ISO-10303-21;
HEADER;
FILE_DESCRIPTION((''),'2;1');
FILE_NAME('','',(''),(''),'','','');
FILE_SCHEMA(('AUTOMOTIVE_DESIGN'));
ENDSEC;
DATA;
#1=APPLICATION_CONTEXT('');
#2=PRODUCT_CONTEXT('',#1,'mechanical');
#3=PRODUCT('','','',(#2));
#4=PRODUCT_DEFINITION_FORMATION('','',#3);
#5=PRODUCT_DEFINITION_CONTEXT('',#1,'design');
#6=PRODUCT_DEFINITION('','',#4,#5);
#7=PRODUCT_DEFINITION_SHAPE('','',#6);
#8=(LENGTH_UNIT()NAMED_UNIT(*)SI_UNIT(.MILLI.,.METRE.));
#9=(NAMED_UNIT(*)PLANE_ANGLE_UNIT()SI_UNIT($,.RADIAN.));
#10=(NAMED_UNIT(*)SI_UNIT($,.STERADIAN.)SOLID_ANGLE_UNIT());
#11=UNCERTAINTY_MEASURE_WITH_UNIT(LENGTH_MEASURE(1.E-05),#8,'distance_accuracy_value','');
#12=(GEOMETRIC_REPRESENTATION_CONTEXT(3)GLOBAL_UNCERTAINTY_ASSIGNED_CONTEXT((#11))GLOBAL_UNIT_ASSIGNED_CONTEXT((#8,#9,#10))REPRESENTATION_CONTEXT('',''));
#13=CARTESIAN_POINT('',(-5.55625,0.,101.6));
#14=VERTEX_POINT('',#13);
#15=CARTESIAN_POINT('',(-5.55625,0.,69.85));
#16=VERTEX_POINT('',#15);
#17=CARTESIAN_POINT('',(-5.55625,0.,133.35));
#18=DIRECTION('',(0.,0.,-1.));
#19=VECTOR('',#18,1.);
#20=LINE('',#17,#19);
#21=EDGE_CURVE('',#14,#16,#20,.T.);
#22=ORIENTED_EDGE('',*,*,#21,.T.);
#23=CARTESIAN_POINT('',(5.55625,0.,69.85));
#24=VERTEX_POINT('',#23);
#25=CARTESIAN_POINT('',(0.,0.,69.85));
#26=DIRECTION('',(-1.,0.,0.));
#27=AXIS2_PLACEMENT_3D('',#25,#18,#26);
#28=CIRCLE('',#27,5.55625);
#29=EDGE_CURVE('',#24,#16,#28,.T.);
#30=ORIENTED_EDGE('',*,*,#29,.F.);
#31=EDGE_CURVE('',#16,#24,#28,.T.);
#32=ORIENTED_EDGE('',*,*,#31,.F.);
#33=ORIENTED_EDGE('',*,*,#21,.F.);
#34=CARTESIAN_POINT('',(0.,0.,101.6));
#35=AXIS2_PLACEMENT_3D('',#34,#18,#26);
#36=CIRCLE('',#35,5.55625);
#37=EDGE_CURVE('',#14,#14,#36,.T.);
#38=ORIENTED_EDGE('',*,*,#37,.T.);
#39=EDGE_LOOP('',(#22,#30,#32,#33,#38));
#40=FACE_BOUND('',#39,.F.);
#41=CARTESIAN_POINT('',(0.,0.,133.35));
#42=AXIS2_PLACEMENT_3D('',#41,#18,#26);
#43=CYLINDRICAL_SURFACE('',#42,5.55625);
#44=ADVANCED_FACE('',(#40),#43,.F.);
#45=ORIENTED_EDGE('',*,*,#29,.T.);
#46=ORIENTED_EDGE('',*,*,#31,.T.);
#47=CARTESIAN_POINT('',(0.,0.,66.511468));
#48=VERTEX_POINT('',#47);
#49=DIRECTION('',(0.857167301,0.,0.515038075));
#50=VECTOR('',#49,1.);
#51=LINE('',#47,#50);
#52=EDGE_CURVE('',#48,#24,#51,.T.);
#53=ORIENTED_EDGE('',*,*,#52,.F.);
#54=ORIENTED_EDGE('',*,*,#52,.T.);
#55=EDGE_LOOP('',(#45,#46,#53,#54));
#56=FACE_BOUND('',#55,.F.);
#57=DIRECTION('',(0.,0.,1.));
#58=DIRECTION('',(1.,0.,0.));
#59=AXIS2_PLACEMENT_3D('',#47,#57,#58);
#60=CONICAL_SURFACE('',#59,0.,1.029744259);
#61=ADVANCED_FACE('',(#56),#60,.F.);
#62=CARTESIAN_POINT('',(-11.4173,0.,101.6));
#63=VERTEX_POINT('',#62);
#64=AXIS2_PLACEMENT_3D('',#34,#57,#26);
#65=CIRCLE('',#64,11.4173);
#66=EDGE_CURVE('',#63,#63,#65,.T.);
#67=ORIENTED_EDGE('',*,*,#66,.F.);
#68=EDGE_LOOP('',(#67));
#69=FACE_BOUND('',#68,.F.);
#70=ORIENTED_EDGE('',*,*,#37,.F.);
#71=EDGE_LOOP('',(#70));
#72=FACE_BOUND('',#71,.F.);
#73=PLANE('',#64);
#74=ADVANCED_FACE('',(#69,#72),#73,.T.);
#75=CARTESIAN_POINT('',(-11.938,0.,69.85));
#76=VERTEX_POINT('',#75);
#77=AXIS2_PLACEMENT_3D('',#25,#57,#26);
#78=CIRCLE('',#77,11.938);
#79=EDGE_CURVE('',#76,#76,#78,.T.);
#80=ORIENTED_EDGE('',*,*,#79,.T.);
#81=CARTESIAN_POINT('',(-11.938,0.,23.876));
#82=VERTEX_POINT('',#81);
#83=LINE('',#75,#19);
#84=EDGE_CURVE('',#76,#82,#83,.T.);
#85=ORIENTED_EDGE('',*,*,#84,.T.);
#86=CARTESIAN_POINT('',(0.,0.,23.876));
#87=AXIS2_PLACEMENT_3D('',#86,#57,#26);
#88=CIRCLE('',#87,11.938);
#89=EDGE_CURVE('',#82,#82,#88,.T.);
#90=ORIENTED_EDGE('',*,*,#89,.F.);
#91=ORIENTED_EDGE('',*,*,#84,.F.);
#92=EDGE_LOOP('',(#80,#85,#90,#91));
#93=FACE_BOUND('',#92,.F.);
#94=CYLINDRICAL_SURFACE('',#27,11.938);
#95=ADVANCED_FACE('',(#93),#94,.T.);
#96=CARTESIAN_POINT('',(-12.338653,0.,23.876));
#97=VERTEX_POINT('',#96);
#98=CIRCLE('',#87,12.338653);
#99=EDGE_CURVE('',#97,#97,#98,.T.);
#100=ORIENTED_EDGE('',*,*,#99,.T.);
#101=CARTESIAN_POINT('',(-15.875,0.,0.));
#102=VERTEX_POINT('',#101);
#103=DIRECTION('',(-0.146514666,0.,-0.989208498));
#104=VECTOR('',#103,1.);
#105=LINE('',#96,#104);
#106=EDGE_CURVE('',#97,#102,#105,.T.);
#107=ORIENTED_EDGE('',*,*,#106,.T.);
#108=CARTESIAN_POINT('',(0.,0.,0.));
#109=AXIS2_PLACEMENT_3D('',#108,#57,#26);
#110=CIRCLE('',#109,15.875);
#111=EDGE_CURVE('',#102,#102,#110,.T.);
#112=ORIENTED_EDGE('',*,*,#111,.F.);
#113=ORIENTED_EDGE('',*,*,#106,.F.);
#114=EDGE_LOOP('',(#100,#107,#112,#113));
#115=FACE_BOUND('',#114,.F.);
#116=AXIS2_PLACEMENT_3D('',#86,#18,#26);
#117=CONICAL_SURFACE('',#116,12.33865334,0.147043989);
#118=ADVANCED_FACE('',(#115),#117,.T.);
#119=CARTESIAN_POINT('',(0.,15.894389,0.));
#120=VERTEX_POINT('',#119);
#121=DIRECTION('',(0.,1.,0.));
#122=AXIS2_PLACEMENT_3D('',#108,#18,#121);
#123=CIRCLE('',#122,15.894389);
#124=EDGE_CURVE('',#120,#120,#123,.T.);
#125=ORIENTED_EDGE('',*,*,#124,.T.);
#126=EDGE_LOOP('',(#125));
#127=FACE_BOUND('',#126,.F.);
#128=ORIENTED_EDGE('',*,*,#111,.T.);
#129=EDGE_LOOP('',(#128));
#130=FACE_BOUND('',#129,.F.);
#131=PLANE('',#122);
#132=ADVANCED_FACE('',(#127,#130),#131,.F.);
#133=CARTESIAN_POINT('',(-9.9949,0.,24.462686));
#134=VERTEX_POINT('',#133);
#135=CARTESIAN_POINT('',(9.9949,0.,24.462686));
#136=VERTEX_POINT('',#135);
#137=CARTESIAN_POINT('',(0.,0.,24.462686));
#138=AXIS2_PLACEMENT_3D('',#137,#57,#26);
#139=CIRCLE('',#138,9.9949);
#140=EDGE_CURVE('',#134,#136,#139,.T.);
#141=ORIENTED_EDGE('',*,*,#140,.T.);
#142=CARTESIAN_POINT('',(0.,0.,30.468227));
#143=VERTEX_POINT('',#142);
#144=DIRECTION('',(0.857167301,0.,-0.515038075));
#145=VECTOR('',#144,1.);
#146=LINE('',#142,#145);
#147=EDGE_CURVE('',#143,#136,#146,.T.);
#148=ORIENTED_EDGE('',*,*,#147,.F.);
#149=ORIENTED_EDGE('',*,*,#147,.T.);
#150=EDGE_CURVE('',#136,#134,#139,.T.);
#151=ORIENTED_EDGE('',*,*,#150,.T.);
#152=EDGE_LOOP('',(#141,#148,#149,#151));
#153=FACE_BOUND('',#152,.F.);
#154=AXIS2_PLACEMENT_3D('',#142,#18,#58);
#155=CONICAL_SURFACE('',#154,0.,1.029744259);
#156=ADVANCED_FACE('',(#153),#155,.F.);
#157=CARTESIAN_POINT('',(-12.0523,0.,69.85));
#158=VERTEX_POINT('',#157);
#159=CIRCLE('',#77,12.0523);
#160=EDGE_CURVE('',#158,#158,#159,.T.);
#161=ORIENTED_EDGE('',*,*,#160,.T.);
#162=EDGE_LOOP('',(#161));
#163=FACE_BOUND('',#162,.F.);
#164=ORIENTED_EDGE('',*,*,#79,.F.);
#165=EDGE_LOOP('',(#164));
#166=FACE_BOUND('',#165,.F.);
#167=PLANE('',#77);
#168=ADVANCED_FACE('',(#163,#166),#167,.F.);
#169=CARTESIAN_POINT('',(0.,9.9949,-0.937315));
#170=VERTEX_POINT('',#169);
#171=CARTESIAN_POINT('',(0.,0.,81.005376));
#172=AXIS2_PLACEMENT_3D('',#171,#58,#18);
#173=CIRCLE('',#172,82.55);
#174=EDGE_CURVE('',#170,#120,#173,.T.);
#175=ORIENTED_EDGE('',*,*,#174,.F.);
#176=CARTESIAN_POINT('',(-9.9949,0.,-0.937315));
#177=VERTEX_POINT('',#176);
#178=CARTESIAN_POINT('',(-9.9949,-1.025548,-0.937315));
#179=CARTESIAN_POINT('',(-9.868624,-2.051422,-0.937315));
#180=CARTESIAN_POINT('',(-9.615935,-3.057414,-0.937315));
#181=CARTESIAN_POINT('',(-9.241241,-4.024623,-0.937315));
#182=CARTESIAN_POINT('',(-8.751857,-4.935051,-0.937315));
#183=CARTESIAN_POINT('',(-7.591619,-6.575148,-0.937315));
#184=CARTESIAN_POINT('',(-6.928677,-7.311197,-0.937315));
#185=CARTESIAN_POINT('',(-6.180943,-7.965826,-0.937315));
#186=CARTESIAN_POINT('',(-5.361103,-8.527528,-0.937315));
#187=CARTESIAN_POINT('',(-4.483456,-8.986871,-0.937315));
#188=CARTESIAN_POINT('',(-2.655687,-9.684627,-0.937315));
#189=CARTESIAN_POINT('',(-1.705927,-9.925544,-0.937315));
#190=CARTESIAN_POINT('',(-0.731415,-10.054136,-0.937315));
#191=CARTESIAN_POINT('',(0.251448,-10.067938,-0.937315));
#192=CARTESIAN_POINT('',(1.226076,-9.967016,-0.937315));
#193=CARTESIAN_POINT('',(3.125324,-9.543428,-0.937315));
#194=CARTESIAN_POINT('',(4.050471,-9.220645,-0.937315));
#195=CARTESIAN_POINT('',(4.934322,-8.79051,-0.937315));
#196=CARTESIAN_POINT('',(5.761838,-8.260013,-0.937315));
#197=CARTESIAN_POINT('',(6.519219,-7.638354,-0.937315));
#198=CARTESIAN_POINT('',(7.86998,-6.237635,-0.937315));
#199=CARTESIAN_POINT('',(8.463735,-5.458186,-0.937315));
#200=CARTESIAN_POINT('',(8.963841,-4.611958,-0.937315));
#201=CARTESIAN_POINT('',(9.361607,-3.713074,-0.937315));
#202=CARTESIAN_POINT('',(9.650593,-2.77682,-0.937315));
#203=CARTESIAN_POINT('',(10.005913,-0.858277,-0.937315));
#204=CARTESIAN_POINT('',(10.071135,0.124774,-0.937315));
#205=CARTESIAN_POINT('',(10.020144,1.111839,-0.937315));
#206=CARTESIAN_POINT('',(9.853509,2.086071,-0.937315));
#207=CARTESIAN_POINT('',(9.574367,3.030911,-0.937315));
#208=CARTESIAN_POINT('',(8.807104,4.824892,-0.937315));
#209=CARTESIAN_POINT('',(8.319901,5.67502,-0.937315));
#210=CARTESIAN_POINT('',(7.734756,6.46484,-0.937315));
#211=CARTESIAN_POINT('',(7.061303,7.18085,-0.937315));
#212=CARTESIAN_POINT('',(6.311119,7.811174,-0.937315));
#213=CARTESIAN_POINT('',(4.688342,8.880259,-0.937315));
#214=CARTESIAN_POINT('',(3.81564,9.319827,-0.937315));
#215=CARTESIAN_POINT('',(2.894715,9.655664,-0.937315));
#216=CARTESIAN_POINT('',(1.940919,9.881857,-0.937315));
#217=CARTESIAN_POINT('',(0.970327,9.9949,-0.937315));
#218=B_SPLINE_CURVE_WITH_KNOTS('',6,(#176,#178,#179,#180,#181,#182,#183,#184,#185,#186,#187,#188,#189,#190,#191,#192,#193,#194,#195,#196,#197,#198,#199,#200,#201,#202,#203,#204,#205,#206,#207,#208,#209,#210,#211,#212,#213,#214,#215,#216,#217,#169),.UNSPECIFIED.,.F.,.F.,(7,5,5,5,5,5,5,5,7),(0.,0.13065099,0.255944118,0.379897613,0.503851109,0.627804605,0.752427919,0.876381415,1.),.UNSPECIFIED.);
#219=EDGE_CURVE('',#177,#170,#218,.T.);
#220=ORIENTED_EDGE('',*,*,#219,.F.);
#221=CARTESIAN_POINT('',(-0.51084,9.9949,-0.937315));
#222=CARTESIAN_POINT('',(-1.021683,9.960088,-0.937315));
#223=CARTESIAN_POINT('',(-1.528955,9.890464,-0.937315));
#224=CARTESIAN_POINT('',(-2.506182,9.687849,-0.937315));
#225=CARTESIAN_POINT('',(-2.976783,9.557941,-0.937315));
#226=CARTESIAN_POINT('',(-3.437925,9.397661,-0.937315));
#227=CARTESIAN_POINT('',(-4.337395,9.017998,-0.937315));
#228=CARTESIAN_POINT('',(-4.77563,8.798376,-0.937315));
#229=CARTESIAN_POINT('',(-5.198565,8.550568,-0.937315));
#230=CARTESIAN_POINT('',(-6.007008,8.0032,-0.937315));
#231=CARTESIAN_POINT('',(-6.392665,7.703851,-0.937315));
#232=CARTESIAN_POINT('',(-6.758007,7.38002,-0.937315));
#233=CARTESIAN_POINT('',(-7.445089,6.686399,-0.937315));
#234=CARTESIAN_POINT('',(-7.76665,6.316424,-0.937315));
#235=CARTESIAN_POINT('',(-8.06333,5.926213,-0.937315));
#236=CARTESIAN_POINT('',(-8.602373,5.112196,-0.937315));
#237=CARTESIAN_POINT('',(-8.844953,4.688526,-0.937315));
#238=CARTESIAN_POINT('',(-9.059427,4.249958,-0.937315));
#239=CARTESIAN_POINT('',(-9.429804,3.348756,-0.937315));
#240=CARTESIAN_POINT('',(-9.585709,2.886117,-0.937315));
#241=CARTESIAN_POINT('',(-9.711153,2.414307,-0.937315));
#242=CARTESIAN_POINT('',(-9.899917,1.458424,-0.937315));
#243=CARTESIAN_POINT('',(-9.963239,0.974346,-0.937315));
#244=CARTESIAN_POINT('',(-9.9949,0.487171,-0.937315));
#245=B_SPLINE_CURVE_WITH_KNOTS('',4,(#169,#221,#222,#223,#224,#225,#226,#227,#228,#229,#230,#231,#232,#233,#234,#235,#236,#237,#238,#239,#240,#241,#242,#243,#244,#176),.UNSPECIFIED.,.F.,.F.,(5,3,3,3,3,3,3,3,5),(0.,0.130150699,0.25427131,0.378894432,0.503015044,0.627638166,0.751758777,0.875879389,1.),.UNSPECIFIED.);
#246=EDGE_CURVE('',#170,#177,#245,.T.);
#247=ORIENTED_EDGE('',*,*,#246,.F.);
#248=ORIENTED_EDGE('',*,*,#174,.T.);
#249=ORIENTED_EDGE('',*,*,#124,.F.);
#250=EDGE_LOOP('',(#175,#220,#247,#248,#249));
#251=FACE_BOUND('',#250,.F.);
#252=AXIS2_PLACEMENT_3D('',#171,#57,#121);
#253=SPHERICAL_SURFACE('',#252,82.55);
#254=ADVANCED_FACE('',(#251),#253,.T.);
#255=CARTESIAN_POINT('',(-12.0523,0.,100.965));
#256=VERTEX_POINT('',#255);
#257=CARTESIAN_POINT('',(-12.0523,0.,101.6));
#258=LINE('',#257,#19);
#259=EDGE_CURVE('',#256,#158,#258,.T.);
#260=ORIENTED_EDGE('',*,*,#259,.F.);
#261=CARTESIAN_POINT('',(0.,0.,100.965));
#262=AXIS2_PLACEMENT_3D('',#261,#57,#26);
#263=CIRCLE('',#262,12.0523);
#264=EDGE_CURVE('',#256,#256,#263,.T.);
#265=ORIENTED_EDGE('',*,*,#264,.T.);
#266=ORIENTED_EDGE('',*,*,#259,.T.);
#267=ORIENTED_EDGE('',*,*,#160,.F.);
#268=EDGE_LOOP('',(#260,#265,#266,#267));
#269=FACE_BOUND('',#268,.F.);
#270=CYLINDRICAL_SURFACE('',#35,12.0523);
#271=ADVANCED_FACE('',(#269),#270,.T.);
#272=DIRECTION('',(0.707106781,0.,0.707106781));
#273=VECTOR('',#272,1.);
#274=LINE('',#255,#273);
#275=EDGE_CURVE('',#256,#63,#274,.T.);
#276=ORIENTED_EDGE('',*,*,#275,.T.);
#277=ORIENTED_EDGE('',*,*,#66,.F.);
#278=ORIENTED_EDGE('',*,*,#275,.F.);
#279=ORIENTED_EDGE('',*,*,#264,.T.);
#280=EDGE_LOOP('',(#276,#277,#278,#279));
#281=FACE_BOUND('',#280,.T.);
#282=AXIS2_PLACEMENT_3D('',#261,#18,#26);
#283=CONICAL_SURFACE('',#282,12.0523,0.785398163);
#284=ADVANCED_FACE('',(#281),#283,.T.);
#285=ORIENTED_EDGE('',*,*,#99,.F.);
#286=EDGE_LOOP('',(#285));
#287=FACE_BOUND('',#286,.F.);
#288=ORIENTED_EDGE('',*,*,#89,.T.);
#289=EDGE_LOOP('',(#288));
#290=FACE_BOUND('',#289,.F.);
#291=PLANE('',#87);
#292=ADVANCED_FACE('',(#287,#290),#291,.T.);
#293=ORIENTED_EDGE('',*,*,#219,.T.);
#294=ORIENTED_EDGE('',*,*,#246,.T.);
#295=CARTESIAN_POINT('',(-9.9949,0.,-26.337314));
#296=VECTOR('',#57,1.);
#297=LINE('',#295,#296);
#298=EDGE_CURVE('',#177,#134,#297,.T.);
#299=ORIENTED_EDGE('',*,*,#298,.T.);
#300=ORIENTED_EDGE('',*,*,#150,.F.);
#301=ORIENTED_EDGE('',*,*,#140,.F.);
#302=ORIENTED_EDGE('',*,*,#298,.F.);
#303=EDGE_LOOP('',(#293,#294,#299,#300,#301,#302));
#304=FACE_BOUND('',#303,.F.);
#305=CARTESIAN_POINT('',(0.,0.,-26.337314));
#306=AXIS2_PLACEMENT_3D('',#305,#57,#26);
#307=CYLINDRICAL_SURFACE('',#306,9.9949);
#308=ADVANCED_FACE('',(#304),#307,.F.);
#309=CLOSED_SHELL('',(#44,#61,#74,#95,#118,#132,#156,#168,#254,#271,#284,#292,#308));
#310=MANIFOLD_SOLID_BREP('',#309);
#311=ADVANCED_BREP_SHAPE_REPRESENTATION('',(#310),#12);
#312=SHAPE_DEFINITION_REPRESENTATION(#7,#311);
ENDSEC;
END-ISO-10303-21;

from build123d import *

# Parameters (mm, degrees)
F3_D     = 11.1125
F3_DEPTH = 31.75
F3_TIP   = 3.3385318145
F4_SIZE  = 0.635
F9_D     = 19.9898
F9_DEPTH = 25.4
F9_START = 2.3646856
F9_TIP   = 6.0055418011


with BuildPart() as f1:
    # F0 (on Front) → F1 (revolve)
    with BuildSketch(Plane.XZ):
        Polygon((-15.875, 0), (0, 0), (0, 101.6), (-12.0523, 101.6), (-12.0523, 69.85), (-11.938, 69.85), (-11.938, 26.5810513018), (-11.938, 23.876), (-12.3386533396, 23.876), align=None)
    revolve(axis=Axis((0, 0, 57.15), (0, 0, 1)))

    # F3
    with Locations(Plane.XY.offset(101.6)):
        with Locations((0, 0)):
            Hole(F3_D / 2, depth=F3_DEPTH)
            with Locations((0, 0, -(F3_DEPTH + F3_TIP / 2))):  # 118° drill point
                Cone(0, F3_D / 2, F3_TIP, mode=Mode.SUBTRACT)

    # F4
    f4_edges = [f1.edges().sort_by_distance(p)[0] for p in [
        (12.0523, 0, 101.6),
    ]]
    chamfer(f4_edges, length=F4_SIZE)

    # F5 (on Right) → F6 (revolve)
    with BuildSketch(Plane.YZ):
        with BuildLine():
            Line((0, 0), (0, -1.5446243323))
            ThreePointArc((0, -1.5446243323), (7.9846333239, -1.1575608103), (15.8943893541, 0))
            Line((15.8943893541, 0), (0, 0))
        make_face()
    revolve(axis=Axis((0, 0, -1.5006620425), (0, 0, -1)))

    # F9
    # its depths count from where the whole tool has entered the part; down to there all is cleared
    with Locations(Plane(origin=(0, 0, -3.302), x_dir=(1, 0, 0), z_dir=(0, 0, -1)).offset(-F9_START)):
        with Locations((0, 0)):
            Hole(F9_D / 2, depth=F9_DEPTH)
            with Locations((0, 0, -(F9_DEPTH + F9_TIP / 2))):  # 118° drill point
                Cone(0, F9_D / 2, F9_TIP, mode=Mode.SUBTRACT)


solid = f1.part
